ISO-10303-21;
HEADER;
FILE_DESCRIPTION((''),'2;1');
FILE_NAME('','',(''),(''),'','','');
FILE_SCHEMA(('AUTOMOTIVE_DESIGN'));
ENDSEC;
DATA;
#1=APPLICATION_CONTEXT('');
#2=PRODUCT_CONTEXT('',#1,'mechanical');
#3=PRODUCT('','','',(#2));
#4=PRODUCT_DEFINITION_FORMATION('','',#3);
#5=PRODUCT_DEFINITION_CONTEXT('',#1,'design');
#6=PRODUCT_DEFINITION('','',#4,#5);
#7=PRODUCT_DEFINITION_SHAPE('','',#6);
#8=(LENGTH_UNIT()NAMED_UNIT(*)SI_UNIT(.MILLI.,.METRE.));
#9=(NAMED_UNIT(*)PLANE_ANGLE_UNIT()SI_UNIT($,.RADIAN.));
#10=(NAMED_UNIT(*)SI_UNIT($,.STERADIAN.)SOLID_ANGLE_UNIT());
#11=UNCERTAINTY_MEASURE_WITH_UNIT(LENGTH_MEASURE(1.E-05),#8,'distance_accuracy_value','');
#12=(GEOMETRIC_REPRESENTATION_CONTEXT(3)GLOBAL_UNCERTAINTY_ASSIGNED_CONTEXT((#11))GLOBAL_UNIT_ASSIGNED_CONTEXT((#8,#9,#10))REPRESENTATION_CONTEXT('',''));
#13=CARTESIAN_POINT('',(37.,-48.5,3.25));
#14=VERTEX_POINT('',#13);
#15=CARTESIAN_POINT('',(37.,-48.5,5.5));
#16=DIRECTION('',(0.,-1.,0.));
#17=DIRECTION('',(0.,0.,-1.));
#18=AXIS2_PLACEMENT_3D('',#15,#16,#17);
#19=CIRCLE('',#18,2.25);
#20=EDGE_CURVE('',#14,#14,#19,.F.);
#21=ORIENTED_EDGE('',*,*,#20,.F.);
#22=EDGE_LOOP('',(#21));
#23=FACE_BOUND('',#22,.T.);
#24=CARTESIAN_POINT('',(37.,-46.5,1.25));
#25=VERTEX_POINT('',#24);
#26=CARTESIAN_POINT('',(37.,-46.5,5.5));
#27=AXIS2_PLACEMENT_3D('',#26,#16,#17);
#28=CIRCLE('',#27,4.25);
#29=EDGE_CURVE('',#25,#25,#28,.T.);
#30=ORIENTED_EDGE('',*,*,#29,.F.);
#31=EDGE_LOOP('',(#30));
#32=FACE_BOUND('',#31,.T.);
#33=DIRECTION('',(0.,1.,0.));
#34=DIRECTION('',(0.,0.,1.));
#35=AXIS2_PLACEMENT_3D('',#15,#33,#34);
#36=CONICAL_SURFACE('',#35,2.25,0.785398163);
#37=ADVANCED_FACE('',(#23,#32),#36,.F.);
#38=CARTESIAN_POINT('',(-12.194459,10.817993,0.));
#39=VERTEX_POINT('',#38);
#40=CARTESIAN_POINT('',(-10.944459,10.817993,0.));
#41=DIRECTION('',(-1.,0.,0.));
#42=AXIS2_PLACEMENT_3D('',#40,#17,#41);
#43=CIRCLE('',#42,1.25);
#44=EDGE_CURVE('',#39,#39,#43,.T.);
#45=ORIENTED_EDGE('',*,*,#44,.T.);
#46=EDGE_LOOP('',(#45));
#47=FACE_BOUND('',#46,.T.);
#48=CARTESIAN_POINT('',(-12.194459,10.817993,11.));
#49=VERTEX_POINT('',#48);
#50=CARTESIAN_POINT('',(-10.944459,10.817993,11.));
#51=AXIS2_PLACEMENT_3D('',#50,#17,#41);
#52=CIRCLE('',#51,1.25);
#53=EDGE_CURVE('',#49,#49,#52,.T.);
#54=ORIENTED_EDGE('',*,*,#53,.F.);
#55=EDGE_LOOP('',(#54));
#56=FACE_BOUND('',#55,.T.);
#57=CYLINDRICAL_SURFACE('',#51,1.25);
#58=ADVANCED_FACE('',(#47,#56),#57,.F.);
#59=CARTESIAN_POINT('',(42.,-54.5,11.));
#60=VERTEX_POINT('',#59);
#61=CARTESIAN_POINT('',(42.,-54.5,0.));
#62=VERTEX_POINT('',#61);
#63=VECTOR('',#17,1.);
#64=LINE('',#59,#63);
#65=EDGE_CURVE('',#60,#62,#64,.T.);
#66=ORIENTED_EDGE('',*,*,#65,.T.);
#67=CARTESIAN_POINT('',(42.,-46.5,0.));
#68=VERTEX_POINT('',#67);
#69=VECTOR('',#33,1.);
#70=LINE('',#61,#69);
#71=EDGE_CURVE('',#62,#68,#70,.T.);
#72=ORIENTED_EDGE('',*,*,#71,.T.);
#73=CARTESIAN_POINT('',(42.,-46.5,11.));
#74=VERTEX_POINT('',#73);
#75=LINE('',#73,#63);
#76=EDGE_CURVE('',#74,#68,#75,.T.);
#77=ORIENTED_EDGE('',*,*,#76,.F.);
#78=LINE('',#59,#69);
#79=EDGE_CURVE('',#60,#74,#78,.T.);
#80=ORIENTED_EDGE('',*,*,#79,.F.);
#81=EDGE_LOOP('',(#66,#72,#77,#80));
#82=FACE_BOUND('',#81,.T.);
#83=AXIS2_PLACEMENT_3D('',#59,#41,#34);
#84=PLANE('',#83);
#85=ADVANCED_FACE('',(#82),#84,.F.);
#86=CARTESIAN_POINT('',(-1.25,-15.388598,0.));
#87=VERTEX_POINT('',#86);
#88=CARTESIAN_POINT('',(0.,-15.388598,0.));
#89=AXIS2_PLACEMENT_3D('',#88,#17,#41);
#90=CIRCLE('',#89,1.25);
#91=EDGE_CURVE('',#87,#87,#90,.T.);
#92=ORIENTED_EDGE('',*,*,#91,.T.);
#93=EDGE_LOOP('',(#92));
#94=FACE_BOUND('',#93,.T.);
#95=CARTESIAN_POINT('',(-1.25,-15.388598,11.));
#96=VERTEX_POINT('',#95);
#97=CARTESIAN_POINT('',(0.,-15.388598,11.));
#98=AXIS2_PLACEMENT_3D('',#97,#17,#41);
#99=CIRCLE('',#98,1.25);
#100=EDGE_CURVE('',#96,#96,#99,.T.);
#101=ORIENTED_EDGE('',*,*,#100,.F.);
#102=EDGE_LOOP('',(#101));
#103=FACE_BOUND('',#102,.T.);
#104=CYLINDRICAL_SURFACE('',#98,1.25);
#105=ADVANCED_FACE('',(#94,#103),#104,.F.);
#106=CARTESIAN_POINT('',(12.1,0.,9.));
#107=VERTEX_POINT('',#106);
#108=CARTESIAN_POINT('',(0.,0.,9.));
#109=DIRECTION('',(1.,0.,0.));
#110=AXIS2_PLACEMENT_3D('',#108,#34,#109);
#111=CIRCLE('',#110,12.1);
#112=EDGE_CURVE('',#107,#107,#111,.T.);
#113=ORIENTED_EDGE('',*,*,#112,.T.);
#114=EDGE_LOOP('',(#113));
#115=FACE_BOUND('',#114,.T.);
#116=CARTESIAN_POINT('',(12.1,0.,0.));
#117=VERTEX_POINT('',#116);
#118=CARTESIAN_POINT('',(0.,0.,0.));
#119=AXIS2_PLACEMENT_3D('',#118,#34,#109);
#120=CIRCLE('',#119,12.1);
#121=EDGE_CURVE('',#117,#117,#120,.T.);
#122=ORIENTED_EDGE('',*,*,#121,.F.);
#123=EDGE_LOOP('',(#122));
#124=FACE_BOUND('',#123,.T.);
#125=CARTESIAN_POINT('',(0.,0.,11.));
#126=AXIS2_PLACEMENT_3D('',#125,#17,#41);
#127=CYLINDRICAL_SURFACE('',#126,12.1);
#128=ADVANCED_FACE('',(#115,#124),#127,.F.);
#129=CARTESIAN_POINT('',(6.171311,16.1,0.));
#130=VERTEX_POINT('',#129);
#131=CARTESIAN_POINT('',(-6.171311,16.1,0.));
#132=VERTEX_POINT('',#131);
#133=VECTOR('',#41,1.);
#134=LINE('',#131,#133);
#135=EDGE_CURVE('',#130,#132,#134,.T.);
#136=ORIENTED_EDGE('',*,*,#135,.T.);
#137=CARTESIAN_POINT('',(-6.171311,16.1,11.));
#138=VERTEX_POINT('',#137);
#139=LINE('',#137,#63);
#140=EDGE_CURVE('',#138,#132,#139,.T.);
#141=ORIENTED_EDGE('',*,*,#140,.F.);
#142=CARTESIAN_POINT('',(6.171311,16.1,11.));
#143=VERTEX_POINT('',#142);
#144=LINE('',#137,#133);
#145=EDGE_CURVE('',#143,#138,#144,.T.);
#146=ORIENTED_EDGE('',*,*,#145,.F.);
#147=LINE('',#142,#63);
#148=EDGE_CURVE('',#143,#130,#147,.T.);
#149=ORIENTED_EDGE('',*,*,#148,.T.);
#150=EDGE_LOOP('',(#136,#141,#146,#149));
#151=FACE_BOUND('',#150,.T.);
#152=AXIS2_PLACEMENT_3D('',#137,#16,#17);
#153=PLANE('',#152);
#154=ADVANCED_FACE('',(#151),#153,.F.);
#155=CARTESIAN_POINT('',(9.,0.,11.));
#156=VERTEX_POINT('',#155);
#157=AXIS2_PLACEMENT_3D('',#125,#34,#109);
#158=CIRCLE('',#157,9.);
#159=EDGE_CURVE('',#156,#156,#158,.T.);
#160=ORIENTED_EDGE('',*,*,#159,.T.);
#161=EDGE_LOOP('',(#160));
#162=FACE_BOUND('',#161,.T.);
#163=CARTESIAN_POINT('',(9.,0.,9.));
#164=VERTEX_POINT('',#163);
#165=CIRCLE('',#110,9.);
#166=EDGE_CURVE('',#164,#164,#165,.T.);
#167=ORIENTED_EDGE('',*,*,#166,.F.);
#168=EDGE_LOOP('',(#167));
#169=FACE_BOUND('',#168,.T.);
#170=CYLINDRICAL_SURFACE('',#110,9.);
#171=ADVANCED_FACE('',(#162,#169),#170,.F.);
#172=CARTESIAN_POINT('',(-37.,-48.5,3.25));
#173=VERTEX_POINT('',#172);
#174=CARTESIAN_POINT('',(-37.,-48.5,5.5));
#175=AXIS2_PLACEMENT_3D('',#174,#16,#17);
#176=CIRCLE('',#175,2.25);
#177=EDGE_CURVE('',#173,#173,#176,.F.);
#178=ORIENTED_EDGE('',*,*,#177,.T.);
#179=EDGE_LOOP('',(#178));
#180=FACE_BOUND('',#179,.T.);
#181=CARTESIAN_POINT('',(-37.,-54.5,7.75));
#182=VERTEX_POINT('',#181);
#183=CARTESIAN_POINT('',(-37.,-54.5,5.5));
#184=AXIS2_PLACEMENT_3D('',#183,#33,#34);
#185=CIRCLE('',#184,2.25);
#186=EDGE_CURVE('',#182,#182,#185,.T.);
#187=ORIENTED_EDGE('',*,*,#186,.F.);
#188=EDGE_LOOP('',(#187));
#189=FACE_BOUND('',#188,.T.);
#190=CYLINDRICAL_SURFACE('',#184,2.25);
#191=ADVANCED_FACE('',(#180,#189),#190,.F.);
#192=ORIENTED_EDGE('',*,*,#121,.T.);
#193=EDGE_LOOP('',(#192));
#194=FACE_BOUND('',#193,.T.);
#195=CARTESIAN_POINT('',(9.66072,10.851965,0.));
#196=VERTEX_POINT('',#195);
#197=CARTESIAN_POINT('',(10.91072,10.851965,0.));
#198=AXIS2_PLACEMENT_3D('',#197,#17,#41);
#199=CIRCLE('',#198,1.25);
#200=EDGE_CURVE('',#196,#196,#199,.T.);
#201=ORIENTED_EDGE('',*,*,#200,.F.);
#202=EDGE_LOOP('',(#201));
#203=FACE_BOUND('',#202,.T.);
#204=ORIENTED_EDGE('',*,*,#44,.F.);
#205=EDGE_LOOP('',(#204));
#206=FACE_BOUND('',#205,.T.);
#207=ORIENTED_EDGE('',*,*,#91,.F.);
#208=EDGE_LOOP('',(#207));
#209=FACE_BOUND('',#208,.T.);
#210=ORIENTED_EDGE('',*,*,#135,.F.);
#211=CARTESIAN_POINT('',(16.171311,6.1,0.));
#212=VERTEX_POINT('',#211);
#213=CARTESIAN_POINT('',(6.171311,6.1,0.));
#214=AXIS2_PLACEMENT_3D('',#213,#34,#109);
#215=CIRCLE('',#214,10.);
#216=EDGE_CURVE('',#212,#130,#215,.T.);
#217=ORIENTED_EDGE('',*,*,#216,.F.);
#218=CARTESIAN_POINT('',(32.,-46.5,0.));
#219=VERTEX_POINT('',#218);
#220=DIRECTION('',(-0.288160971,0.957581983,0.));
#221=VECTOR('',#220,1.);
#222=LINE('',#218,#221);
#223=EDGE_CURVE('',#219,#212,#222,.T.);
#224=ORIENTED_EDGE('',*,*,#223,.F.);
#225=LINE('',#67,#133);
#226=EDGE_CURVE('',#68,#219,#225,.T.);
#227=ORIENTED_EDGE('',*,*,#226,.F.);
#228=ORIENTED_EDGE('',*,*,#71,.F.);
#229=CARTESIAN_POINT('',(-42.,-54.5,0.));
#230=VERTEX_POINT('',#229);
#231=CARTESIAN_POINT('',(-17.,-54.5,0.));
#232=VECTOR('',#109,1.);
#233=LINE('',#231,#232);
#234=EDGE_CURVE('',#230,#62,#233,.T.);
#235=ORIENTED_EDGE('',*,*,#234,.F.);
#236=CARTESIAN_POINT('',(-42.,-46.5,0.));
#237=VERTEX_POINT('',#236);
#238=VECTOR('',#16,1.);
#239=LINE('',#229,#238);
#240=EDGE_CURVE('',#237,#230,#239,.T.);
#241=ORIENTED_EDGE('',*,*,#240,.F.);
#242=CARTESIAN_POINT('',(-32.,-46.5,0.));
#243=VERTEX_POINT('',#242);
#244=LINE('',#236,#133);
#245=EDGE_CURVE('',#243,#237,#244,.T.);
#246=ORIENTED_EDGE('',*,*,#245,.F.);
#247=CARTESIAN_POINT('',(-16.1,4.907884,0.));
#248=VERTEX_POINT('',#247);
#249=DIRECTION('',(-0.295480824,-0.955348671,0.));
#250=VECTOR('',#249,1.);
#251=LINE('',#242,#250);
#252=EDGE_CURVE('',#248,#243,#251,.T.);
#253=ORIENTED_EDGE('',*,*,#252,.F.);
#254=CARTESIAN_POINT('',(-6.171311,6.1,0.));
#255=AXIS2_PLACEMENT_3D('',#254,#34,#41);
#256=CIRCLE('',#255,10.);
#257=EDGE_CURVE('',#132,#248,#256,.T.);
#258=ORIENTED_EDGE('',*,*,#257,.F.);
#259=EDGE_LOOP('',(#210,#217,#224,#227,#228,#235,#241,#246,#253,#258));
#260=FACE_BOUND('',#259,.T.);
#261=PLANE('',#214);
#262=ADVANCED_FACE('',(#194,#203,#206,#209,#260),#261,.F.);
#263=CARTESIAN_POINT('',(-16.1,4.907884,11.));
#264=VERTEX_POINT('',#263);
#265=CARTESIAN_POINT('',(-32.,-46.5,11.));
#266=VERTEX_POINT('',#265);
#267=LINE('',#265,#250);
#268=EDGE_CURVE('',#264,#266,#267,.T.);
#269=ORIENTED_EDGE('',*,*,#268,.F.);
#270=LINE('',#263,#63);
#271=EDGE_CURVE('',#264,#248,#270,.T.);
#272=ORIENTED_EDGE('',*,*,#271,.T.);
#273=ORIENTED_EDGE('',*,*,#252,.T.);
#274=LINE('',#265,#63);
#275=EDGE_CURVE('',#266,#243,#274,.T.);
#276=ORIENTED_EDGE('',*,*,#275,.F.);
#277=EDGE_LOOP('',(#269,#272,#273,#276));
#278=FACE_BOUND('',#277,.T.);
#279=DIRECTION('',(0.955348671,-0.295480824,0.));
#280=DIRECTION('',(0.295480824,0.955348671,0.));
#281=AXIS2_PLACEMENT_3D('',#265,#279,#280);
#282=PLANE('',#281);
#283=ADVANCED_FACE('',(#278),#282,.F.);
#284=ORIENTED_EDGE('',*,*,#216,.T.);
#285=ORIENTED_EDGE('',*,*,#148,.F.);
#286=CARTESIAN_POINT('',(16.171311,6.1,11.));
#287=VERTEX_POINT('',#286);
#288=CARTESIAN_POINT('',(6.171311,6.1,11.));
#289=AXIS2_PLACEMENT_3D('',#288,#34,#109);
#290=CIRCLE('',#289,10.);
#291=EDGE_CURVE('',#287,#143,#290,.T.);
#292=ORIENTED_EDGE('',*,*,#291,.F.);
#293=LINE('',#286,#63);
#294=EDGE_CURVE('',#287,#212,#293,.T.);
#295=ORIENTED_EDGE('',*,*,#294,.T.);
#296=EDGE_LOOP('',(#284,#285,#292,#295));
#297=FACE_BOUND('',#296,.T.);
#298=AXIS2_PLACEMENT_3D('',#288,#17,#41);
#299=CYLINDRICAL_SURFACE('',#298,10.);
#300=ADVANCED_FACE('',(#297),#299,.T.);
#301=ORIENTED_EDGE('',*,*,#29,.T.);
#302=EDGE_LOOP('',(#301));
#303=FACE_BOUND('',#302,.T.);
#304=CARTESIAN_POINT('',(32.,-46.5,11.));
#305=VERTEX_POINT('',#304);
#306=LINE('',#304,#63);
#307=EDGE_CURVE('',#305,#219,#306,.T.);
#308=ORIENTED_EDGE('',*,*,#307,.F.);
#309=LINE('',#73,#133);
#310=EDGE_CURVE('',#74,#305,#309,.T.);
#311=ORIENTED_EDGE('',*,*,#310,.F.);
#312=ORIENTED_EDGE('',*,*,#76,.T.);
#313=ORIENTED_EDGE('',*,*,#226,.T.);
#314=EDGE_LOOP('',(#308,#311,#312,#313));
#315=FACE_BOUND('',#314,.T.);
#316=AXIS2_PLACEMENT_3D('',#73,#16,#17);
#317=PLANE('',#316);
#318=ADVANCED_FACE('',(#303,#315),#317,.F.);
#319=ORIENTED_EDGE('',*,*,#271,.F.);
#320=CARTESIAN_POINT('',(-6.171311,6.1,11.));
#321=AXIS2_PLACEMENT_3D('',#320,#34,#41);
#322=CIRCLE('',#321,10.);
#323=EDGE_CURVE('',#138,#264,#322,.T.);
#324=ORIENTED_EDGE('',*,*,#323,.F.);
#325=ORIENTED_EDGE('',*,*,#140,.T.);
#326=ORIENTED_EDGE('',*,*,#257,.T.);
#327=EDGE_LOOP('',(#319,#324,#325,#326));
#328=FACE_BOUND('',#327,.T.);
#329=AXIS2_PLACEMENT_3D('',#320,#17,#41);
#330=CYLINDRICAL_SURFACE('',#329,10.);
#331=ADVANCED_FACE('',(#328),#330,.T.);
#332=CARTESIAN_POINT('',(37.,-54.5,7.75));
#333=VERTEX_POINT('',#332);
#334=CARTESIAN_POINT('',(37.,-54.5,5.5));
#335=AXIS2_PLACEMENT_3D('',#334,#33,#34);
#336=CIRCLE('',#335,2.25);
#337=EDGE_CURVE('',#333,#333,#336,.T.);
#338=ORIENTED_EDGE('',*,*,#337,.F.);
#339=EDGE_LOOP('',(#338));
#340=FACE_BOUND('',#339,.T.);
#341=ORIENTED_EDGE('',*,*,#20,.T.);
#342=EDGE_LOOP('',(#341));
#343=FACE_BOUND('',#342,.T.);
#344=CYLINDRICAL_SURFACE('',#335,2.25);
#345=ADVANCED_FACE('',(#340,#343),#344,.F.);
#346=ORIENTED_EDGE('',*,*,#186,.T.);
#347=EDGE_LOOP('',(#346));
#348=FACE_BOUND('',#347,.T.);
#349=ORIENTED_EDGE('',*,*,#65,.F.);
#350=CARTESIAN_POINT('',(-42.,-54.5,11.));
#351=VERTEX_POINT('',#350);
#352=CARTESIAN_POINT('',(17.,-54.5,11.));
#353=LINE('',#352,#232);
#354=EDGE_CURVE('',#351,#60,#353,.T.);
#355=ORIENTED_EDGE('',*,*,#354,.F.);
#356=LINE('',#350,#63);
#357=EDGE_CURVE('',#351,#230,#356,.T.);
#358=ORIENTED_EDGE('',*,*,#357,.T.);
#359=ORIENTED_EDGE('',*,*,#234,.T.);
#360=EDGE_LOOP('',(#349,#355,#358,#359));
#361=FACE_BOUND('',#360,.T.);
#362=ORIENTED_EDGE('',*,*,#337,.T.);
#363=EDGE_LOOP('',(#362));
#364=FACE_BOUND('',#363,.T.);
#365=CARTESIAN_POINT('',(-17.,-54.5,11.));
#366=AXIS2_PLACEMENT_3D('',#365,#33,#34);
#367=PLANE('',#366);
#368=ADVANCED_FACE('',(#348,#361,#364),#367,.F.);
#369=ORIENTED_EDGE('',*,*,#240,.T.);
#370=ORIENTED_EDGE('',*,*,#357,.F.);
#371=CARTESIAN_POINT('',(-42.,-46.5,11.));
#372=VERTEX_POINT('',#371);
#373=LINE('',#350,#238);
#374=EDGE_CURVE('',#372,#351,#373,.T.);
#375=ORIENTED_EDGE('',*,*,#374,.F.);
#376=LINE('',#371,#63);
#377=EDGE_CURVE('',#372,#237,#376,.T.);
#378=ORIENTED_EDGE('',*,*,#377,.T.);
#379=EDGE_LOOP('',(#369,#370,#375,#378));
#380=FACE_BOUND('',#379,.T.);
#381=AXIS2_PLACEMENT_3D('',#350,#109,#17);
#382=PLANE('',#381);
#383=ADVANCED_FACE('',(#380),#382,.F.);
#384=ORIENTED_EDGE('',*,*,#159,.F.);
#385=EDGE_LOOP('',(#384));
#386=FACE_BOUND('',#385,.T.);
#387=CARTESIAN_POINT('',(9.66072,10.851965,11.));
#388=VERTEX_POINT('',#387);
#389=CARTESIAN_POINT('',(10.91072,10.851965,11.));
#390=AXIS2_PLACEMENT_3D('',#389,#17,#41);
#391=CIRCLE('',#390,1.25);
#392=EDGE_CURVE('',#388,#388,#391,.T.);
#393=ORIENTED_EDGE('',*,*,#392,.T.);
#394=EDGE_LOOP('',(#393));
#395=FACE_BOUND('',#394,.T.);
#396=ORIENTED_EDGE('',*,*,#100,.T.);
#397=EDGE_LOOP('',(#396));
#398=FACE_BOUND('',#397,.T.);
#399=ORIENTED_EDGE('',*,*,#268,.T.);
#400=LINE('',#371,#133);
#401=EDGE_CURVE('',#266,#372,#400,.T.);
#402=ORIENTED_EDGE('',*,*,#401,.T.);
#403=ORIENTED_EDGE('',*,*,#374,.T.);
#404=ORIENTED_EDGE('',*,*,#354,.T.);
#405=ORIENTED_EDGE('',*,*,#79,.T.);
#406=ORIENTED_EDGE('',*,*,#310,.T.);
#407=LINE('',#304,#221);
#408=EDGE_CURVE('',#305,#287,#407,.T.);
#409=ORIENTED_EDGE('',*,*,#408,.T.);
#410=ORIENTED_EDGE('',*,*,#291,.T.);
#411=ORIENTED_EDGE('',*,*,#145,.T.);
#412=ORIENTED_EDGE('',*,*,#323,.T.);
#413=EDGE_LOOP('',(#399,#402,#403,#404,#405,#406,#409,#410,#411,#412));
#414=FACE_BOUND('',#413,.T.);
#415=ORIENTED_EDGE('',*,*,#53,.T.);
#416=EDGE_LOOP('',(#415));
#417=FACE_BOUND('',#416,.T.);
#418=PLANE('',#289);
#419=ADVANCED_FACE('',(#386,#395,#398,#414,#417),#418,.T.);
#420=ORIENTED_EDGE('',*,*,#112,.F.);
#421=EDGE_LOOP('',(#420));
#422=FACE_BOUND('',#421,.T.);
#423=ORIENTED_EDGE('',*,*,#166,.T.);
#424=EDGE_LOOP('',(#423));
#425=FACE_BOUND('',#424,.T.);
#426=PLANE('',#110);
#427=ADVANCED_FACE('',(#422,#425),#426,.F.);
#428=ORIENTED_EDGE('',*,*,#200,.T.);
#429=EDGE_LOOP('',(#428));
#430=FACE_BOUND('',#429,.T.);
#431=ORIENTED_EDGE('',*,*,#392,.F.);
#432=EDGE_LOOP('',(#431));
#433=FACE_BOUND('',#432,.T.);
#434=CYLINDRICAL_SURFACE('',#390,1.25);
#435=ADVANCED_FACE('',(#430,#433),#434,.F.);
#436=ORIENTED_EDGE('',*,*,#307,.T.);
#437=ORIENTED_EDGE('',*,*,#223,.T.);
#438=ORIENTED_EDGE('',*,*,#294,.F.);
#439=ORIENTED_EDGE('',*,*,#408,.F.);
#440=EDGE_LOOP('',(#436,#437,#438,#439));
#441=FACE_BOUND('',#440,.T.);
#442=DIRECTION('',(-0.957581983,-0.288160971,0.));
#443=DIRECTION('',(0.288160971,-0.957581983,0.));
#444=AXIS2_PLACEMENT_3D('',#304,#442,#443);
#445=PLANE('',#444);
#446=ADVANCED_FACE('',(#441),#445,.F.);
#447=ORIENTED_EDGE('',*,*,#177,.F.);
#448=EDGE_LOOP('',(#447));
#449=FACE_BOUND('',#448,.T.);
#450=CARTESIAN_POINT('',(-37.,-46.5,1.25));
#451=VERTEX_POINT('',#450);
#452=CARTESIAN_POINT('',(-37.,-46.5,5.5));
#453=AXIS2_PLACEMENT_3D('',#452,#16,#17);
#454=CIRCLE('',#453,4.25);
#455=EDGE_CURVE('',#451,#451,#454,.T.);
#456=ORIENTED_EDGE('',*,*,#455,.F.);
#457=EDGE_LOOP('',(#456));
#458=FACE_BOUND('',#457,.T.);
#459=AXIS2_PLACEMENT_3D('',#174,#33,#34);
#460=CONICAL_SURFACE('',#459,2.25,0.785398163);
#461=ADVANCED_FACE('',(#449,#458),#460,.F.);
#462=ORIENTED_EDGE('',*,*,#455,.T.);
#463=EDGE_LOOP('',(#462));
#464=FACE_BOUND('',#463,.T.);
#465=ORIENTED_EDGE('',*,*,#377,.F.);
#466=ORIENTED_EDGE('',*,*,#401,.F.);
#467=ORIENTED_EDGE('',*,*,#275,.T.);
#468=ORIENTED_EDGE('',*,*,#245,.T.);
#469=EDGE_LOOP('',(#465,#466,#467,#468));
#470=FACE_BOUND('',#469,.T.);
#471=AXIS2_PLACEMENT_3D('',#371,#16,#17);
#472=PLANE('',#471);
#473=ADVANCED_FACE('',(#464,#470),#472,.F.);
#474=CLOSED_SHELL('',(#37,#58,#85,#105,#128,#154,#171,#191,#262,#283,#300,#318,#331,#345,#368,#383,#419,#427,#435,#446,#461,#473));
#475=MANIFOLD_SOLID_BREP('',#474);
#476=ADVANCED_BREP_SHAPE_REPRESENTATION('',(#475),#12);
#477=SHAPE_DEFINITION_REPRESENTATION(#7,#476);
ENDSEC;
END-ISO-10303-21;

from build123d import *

# Parameters (mm, degrees)
SCHIZZO1_R                   = 12.1
ESTRUSIONE_ESTRUSIONE1_DEPTH = 11
ESTRUSIONE_ESTRUSIONE2_START = -2
SCHIZZO2_R                   = 12.1
SCHIZZO2_R_2                 = 9
ESTRUSIONE_ESTRUSIONE2_DEPTH = 2
SCHIZZO3_R                   = 2.25
TAGLIO_ESTRUSIONE1_DEPTH     = 77.182412669
SMUSSO1_SIZE                 = 2
SCHIZZO4_R                   = 1.25
TAGLIO_ESTRUSIONE2_DEPTH     = 70.679623994


with BuildPart() as part:
    # Schizzo1 → Estrusione-Estrusione1 (new body)
    with BuildSketch(Plane.XY):
        with BuildLine():
            Line((-6.171311325, 16.1), (6.171311325, 16.1))
            ThreePointArc((6.171311325, 16.1), (13.242379137, 13.171067812), (16.171311325, 6.1))
            Line((16.171311325, 6.1), (32, -46.5))
            Line((32, -46.5), (42, -46.5))
            Line((42, -46.5), (42, -54.5))
            Line((42, -54.5), (17, -54.5))
            Line((17, -54.5), (-17, -54.5))
            Line((-17, -54.5), (-42, -54.5))
            Line((-42, -54.5), (-42, -46.5))
            Line((-42, -46.5), (-32, -46.5))
            Line((-32, -46.5), (-16.1, 4.907883736))
            ThreePointArc((-16.1, 4.907883736), (-13.651991863, 12.73622021), (-6.171311325, 16.1))
        make_face()
        Circle(SCHIZZO1_R, mode=Mode.SUBTRACT)
    extrude(amount=ESTRUSIONE_ESTRUSIONE1_DEPTH)

    # Schizzo2 → Estrusione-Estrusione2 (add)
    with BuildSketch(Plane.XY.offset(11).offset(ESTRUSIONE_ESTRUSIONE2_START)):
        Circle(SCHIZZO2_R)
        Circle(SCHIZZO2_R_2, mode=Mode.SUBTRACT)
    extrude(amount=ESTRUSIONE_ESTRUSIONE2_DEPTH)

    # Schizzo3 → Taglio-Estrusione1 (cut, through all)
    with BuildSketch(Plane(origin=(0, -46.5, 0), x_dir=(1, 0, 0), z_dir=(0, 1, 0))):
        with Locations(Location((37, -5.5, 0), (0, 0, 270))):
            Circle(SCHIZZO3_R)
        with Locations(Location((-37, -5.5, 0), (0, 0, 270))):
            Circle(SCHIZZO3_R)
    extrude(amount=-TAGLIO_ESTRUSIONE1_DEPTH, mode=Mode.SUBTRACT)

    # Smusso1
    smusso1_edges = [part.edges().sort_by_distance(p)[0] for p in [
        (37, -46.5, 3.25),
        (-37, -46.5, 3.25),
    ]]
    chamfer(smusso1_edges, length=SMUSSO1_SIZE)

    # Schizzo4 → Taglio-Estrusione2 (cut, through all)
    with BuildSketch(Plane(origin=(0, 0, 0), x_dir=(-1, 0, 0), z_dir=(0, 0, -1))):
        with Locations((-10.910719744, 10.851964601)):
            Circle(SCHIZZO4_R)
        with Locations((10.944459062, 10.817992606)):
            Circle(SCHIZZO4_R)
        with Locations((0, -15.38859776)):
            Circle(SCHIZZO4_R)
    extrude(amount=-TAGLIO_ESTRUSIONE2_DEPTH, mode=Mode.SUBTRACT)


solid = part.part
